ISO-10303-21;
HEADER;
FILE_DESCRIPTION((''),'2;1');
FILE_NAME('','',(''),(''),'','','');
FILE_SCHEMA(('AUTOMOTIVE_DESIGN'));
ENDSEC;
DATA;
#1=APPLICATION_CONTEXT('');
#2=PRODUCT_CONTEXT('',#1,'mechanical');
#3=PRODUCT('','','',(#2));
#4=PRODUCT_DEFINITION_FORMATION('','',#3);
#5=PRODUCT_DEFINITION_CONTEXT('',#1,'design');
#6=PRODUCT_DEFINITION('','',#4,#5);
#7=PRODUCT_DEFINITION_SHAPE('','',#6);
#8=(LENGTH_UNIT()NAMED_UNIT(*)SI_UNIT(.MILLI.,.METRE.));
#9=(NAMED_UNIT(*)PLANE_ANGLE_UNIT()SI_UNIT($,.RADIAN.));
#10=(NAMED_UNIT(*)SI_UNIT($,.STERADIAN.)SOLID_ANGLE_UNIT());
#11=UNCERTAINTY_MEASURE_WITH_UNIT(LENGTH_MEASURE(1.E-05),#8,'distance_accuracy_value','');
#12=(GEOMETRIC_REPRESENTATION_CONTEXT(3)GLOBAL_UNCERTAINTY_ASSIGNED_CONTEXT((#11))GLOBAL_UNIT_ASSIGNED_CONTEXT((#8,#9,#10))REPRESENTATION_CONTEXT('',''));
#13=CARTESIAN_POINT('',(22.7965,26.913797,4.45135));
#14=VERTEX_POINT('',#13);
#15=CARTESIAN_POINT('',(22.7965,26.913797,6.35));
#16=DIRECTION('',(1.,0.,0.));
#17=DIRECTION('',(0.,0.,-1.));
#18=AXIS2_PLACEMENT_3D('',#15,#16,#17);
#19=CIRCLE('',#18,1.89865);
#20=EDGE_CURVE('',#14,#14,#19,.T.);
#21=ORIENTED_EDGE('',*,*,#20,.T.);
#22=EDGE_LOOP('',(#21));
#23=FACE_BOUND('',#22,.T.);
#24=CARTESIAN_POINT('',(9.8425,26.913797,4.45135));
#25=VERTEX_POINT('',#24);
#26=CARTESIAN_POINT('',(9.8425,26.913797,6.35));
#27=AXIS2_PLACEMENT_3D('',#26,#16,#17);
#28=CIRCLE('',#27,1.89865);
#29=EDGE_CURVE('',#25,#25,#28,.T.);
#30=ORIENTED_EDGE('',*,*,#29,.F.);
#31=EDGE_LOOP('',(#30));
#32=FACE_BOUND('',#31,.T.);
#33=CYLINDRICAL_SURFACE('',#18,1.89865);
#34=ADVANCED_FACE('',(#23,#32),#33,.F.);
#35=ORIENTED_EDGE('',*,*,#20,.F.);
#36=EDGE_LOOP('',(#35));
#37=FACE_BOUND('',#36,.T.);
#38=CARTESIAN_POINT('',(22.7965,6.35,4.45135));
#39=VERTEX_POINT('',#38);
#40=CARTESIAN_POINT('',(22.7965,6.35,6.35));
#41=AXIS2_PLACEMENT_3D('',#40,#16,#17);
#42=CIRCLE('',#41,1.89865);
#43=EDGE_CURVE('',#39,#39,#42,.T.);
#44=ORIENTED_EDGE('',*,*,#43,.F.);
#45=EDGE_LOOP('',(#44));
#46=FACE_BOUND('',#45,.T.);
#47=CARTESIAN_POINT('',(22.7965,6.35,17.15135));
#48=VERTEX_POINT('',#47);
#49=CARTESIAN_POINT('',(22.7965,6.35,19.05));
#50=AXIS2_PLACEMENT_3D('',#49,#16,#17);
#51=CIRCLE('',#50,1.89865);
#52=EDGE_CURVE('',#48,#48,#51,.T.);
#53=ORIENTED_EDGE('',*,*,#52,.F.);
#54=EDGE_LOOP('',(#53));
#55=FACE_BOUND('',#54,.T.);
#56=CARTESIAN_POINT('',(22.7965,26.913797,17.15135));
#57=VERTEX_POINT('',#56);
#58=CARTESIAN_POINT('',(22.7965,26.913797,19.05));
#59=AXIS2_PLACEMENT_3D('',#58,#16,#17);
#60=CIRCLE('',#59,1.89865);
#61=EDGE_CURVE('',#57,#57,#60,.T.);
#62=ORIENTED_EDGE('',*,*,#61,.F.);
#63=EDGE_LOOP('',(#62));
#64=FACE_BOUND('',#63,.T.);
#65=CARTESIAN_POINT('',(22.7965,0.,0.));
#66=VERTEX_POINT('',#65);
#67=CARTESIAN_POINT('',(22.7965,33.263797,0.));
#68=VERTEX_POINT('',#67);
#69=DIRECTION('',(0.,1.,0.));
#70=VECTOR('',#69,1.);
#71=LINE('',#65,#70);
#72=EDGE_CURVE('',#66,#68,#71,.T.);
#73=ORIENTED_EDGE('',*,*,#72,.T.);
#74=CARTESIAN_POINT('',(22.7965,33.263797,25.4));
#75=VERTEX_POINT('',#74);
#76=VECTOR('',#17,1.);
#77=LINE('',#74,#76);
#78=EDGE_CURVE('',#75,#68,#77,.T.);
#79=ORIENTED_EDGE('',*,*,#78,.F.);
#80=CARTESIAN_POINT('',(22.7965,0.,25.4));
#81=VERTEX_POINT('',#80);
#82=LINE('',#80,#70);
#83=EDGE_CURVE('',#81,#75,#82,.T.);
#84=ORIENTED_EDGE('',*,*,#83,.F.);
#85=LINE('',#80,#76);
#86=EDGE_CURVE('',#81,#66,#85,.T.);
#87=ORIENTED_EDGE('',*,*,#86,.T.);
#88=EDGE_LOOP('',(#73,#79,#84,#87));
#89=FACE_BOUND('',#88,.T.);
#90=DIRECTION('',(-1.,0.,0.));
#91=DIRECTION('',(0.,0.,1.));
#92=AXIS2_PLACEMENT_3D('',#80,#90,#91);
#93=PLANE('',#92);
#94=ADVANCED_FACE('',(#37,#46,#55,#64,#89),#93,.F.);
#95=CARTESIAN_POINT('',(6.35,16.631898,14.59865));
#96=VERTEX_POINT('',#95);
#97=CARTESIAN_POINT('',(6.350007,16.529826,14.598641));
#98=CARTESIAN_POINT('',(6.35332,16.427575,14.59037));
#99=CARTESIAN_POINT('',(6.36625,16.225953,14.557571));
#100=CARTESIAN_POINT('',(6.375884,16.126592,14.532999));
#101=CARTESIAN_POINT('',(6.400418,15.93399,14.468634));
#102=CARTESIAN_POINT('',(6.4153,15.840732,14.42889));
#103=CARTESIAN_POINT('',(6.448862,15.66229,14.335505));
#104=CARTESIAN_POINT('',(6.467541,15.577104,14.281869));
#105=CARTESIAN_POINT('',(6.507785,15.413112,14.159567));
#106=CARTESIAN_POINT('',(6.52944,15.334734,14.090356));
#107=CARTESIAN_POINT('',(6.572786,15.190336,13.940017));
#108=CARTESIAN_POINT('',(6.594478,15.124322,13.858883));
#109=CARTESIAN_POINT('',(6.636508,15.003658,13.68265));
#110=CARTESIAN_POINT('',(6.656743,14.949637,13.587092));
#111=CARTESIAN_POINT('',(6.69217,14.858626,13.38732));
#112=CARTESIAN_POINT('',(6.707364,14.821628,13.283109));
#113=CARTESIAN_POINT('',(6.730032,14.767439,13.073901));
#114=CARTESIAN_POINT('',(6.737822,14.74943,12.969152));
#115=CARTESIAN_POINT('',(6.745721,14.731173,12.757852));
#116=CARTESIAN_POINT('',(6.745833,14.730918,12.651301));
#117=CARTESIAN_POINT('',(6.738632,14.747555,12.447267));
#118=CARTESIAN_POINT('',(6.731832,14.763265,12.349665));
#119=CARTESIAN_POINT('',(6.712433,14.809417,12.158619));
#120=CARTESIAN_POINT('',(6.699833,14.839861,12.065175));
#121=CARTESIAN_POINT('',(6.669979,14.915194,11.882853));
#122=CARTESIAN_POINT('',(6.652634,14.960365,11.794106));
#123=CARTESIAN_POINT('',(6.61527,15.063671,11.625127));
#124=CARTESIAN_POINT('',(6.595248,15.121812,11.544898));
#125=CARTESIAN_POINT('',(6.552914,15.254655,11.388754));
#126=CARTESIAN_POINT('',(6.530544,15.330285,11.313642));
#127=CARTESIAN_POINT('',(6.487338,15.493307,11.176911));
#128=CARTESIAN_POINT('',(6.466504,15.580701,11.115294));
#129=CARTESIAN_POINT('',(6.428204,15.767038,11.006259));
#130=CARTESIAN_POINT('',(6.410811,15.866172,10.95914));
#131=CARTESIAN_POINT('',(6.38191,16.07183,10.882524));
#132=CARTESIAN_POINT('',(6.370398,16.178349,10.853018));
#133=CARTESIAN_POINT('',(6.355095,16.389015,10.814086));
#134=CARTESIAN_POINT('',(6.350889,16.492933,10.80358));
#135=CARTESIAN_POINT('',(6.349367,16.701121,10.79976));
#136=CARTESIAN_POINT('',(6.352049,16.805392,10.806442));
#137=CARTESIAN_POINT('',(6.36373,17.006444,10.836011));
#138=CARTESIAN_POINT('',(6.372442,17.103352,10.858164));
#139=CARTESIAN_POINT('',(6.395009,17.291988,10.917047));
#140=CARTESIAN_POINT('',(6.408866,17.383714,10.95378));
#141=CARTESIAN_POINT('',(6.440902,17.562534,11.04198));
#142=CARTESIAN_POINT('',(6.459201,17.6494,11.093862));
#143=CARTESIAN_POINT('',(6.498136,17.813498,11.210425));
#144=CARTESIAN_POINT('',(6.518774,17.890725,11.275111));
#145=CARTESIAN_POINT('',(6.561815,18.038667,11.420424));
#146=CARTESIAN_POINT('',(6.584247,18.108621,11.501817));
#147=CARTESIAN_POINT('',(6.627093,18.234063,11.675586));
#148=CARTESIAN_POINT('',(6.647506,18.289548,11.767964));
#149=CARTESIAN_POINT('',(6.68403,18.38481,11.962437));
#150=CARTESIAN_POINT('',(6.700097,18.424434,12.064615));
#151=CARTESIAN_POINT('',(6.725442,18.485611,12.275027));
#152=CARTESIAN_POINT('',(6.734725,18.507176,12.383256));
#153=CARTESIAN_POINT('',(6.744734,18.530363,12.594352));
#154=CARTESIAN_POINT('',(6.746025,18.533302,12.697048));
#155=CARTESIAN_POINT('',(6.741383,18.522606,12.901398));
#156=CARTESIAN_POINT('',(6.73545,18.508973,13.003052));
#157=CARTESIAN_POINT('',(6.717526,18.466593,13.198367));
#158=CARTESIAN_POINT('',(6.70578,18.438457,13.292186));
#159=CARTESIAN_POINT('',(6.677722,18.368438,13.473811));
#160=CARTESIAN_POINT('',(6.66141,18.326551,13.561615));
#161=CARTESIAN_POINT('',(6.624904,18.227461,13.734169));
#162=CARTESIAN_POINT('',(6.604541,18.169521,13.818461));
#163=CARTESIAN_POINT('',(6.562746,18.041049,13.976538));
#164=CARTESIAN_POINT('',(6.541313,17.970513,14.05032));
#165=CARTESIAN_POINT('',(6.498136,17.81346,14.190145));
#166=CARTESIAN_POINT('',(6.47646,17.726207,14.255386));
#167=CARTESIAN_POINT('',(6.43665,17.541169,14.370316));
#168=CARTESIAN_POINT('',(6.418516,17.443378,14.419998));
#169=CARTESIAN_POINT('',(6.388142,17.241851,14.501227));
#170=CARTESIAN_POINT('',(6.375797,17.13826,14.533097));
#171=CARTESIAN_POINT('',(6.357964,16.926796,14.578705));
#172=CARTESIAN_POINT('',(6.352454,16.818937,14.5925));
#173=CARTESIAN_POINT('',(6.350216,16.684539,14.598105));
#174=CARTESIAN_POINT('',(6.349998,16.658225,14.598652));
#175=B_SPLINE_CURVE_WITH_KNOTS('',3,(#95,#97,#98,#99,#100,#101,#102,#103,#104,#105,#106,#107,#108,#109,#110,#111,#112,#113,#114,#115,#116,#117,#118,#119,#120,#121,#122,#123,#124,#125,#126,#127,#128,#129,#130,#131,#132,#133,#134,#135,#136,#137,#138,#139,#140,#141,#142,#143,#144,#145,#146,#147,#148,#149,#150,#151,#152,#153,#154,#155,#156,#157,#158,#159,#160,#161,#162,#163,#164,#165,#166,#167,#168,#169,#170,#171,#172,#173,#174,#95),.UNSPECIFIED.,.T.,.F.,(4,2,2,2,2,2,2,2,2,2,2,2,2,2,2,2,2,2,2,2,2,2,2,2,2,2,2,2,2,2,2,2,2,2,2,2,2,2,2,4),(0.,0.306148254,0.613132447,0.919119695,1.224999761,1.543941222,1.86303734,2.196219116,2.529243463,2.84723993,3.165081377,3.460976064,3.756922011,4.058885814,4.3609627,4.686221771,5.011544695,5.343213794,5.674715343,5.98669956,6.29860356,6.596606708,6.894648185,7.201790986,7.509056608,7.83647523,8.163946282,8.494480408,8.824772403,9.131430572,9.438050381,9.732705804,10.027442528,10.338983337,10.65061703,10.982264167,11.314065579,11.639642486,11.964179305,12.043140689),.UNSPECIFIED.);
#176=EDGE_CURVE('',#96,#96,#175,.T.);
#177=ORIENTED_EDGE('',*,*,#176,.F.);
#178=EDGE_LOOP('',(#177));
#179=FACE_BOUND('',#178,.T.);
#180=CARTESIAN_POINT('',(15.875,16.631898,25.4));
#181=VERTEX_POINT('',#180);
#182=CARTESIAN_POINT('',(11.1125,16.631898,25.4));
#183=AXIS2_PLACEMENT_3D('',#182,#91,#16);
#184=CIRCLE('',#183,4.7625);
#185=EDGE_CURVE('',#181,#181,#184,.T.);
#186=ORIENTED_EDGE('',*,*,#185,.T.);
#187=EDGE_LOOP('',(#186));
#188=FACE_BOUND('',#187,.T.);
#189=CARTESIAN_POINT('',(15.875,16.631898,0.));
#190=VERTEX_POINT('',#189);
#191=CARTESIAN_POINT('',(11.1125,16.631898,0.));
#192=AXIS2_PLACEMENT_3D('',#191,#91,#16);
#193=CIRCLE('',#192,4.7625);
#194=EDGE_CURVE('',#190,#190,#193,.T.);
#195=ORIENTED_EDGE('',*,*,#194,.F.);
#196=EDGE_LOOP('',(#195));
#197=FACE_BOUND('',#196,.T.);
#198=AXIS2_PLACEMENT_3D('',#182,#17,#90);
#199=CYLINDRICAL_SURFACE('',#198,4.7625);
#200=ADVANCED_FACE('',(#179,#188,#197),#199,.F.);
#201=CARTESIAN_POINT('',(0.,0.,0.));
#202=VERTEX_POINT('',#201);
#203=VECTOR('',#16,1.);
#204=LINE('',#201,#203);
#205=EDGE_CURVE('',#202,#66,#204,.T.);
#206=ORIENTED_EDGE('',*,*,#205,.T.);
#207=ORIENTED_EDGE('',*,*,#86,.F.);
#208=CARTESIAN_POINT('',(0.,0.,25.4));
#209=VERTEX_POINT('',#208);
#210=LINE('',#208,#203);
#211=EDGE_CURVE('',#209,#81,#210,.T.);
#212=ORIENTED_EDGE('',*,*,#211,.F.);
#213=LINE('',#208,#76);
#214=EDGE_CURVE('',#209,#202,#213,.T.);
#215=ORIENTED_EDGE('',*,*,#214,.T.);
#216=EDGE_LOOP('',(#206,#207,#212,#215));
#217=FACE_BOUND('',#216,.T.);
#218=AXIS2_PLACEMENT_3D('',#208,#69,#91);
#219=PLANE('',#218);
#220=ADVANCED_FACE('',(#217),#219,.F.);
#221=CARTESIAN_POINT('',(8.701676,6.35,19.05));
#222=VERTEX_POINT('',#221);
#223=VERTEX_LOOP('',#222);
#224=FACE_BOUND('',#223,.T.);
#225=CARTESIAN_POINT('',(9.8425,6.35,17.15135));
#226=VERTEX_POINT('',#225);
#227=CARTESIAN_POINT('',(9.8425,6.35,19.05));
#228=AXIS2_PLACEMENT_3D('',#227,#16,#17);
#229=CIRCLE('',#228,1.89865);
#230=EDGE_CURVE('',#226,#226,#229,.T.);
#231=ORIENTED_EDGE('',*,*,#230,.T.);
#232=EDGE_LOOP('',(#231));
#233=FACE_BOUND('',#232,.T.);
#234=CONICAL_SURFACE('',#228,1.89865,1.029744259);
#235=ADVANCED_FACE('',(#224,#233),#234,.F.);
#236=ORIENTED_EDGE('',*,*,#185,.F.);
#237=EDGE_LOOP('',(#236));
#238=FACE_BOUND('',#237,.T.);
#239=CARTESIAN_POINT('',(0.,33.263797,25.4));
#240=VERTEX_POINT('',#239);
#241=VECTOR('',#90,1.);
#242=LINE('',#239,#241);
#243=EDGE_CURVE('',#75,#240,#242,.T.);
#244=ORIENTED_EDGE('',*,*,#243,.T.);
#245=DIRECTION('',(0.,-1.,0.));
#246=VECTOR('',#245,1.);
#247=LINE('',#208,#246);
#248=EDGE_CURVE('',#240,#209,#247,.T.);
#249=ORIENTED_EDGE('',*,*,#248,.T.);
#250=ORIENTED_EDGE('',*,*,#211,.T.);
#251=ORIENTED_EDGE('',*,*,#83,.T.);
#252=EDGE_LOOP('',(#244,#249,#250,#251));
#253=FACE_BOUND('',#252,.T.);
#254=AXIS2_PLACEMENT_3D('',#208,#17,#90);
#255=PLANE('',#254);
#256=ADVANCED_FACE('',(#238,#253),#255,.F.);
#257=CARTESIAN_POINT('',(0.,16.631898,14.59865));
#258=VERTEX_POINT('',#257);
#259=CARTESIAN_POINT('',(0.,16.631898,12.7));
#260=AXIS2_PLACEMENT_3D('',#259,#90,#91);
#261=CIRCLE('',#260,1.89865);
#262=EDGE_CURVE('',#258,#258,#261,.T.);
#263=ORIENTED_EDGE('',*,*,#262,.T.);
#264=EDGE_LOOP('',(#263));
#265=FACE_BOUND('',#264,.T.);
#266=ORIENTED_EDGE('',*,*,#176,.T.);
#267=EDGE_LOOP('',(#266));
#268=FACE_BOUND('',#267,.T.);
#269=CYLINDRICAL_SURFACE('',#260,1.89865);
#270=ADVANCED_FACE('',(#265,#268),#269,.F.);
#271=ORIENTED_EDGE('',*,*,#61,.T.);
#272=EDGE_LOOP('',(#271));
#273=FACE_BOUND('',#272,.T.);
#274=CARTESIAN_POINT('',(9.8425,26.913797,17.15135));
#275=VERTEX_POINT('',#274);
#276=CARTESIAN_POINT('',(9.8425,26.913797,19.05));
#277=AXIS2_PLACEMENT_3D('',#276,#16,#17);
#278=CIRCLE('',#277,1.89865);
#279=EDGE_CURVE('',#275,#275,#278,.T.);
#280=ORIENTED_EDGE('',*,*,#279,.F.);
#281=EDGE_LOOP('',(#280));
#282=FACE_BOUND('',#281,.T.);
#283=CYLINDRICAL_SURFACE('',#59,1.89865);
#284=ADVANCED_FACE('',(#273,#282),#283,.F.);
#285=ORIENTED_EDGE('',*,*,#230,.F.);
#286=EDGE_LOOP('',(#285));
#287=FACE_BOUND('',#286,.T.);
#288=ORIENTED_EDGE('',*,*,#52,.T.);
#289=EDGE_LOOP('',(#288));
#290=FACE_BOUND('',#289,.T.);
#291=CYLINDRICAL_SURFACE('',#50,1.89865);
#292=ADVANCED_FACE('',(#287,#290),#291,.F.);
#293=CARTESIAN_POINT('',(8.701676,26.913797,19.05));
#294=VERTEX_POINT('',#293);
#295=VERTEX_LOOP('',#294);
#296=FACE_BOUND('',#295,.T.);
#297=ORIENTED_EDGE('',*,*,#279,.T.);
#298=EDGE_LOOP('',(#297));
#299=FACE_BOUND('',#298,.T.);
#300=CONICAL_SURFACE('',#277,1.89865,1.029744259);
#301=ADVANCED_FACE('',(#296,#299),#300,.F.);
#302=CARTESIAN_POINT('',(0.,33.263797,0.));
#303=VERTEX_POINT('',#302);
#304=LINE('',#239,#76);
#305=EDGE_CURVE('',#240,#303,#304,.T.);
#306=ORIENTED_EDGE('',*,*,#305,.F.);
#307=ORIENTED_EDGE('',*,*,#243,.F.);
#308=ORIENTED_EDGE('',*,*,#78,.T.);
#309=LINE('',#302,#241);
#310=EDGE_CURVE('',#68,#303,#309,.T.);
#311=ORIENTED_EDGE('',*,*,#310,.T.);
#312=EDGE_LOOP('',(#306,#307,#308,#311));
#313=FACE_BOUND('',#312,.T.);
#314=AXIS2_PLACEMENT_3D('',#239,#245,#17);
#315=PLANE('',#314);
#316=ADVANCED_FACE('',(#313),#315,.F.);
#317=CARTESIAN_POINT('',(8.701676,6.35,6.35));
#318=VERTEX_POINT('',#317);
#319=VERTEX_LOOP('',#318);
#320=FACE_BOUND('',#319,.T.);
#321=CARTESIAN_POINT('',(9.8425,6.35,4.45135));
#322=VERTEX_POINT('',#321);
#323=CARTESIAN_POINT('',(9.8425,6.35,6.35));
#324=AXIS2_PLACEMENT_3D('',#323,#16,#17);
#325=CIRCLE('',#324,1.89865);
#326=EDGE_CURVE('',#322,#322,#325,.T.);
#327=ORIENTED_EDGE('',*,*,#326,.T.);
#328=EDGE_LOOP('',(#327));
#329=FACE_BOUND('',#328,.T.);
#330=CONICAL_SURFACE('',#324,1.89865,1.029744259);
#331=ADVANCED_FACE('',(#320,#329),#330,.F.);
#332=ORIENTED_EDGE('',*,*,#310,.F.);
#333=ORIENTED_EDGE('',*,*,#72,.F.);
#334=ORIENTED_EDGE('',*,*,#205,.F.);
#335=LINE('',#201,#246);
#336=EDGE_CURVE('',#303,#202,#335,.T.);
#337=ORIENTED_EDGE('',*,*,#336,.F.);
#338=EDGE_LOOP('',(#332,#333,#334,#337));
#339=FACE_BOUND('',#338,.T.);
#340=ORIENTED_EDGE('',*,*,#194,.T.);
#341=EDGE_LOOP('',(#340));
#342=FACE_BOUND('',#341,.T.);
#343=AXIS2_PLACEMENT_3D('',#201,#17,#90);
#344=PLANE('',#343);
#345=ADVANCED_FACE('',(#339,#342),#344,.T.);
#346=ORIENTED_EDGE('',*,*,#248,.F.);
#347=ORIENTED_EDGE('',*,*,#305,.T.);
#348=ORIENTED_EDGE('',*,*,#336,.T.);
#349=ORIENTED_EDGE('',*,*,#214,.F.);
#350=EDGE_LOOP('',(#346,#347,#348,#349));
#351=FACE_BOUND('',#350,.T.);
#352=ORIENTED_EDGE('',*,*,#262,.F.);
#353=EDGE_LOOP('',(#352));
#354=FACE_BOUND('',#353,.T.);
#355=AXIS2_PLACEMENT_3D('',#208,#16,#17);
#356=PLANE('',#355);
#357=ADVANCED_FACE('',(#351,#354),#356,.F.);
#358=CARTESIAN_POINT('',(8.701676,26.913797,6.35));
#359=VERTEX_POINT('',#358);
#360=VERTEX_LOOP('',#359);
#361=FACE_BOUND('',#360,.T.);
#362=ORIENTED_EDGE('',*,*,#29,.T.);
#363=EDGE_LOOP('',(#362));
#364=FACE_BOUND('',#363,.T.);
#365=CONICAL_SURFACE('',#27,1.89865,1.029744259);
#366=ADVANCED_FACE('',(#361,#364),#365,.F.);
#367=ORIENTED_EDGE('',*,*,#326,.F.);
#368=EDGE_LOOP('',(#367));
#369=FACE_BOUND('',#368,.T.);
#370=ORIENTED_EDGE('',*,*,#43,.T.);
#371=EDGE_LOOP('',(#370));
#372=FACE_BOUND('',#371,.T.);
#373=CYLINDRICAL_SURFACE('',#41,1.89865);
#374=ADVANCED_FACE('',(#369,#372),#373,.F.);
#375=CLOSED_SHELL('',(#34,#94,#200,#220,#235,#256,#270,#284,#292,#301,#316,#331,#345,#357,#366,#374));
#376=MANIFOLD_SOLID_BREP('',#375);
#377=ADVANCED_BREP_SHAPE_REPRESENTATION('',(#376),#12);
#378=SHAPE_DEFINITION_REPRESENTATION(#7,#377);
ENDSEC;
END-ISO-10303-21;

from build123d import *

# Parameters (mm, degrees)
SKETCH1_W                            = 22.7965
SKETCH1_H                            = 33.263796714
SKETCH1_R                            = 4.7625
BOSS_EXTRUDE1_DEPTH                  = 25.4
SET_SCREW_10_24_TAPPED_HOLE1_REACH   = 49.658
SET_SCREW_10_24_TAPPED_HOLE1_BORE_R  = 1.89865
MOUNT_SCREW_10_24_TAPPED_HOLE2_D     = 3.7973
MOUNT_SCREW_10_24_TAPPED_HOLE2_DEPTH = 12.954
MOUNT_SCREW_10_24_TAPPED_HOLE2_TIP   = 1.140824014


with BuildPart() as part:
    # Sketch1 → Boss-Extrude1 (new body)
    with BuildSketch(Plane.XY):
        with Locations((11.39825, 16.631898357)):
            Rectangle(SKETCH1_W, SKETCH1_H)
        with Locations((11.1125, 16.631898357)):
            Circle(SKETCH1_R, mode=Mode.SUBTRACT)
    extrude(amount=BOSS_EXTRUDE1_DEPTH)

    # set screw #10-24 Tapped Hole1 bore → set screw #10-24 Tapped Hole1 (cut, up to next)
    with BuildSketch(Plane.ZY, mode=Mode.PRIVATE) as set_screw_10_24_tapped_hole1_sk1:
        with Locations((12.7, 16.631898357)):
            Circle(SET_SCREW_10_24_TAPPED_HOLE1_BORE_R)
    set_screw_10_24_tapped_hole1_tool1 = extrude(set_screw_10_24_tapped_hole1_sk1.sketch, amount=-SET_SCREW_10_24_TAPPED_HOLE1_REACH, mode=Mode.PRIVATE) & part.part
    add(set_screw_10_24_tapped_hole1_tool1.solids().sort_by_distance((0, 16.631898, 12.7))[0], mode=Mode.SUBTRACT)

    # mount screw #10-24 Tapped Hole2
    with Locations(Plane(origin=(22.7965, 0, 0), x_dir=(0, 0, -1), z_dir=(1, 0, 0))):
        with Locations((-19.05, 26.913796714), (-6.35, 26.913796714), (-19.05, 6.35), (-6.35, 6.35)):
            Hole(MOUNT_SCREW_10_24_TAPPED_HOLE2_D / 2, depth=MOUNT_SCREW_10_24_TAPPED_HOLE2_DEPTH)
            with Locations((0, 0, -(MOUNT_SCREW_10_24_TAPPED_HOLE2_DEPTH + MOUNT_SCREW_10_24_TAPPED_HOLE2_TIP / 2))):  # 118° drill point
                Cone(0, MOUNT_SCREW_10_24_TAPPED_HOLE2_D / 2, MOUNT_SCREW_10_24_TAPPED_HOLE2_TIP, mode=Mode.SUBTRACT)


solid = part.part
